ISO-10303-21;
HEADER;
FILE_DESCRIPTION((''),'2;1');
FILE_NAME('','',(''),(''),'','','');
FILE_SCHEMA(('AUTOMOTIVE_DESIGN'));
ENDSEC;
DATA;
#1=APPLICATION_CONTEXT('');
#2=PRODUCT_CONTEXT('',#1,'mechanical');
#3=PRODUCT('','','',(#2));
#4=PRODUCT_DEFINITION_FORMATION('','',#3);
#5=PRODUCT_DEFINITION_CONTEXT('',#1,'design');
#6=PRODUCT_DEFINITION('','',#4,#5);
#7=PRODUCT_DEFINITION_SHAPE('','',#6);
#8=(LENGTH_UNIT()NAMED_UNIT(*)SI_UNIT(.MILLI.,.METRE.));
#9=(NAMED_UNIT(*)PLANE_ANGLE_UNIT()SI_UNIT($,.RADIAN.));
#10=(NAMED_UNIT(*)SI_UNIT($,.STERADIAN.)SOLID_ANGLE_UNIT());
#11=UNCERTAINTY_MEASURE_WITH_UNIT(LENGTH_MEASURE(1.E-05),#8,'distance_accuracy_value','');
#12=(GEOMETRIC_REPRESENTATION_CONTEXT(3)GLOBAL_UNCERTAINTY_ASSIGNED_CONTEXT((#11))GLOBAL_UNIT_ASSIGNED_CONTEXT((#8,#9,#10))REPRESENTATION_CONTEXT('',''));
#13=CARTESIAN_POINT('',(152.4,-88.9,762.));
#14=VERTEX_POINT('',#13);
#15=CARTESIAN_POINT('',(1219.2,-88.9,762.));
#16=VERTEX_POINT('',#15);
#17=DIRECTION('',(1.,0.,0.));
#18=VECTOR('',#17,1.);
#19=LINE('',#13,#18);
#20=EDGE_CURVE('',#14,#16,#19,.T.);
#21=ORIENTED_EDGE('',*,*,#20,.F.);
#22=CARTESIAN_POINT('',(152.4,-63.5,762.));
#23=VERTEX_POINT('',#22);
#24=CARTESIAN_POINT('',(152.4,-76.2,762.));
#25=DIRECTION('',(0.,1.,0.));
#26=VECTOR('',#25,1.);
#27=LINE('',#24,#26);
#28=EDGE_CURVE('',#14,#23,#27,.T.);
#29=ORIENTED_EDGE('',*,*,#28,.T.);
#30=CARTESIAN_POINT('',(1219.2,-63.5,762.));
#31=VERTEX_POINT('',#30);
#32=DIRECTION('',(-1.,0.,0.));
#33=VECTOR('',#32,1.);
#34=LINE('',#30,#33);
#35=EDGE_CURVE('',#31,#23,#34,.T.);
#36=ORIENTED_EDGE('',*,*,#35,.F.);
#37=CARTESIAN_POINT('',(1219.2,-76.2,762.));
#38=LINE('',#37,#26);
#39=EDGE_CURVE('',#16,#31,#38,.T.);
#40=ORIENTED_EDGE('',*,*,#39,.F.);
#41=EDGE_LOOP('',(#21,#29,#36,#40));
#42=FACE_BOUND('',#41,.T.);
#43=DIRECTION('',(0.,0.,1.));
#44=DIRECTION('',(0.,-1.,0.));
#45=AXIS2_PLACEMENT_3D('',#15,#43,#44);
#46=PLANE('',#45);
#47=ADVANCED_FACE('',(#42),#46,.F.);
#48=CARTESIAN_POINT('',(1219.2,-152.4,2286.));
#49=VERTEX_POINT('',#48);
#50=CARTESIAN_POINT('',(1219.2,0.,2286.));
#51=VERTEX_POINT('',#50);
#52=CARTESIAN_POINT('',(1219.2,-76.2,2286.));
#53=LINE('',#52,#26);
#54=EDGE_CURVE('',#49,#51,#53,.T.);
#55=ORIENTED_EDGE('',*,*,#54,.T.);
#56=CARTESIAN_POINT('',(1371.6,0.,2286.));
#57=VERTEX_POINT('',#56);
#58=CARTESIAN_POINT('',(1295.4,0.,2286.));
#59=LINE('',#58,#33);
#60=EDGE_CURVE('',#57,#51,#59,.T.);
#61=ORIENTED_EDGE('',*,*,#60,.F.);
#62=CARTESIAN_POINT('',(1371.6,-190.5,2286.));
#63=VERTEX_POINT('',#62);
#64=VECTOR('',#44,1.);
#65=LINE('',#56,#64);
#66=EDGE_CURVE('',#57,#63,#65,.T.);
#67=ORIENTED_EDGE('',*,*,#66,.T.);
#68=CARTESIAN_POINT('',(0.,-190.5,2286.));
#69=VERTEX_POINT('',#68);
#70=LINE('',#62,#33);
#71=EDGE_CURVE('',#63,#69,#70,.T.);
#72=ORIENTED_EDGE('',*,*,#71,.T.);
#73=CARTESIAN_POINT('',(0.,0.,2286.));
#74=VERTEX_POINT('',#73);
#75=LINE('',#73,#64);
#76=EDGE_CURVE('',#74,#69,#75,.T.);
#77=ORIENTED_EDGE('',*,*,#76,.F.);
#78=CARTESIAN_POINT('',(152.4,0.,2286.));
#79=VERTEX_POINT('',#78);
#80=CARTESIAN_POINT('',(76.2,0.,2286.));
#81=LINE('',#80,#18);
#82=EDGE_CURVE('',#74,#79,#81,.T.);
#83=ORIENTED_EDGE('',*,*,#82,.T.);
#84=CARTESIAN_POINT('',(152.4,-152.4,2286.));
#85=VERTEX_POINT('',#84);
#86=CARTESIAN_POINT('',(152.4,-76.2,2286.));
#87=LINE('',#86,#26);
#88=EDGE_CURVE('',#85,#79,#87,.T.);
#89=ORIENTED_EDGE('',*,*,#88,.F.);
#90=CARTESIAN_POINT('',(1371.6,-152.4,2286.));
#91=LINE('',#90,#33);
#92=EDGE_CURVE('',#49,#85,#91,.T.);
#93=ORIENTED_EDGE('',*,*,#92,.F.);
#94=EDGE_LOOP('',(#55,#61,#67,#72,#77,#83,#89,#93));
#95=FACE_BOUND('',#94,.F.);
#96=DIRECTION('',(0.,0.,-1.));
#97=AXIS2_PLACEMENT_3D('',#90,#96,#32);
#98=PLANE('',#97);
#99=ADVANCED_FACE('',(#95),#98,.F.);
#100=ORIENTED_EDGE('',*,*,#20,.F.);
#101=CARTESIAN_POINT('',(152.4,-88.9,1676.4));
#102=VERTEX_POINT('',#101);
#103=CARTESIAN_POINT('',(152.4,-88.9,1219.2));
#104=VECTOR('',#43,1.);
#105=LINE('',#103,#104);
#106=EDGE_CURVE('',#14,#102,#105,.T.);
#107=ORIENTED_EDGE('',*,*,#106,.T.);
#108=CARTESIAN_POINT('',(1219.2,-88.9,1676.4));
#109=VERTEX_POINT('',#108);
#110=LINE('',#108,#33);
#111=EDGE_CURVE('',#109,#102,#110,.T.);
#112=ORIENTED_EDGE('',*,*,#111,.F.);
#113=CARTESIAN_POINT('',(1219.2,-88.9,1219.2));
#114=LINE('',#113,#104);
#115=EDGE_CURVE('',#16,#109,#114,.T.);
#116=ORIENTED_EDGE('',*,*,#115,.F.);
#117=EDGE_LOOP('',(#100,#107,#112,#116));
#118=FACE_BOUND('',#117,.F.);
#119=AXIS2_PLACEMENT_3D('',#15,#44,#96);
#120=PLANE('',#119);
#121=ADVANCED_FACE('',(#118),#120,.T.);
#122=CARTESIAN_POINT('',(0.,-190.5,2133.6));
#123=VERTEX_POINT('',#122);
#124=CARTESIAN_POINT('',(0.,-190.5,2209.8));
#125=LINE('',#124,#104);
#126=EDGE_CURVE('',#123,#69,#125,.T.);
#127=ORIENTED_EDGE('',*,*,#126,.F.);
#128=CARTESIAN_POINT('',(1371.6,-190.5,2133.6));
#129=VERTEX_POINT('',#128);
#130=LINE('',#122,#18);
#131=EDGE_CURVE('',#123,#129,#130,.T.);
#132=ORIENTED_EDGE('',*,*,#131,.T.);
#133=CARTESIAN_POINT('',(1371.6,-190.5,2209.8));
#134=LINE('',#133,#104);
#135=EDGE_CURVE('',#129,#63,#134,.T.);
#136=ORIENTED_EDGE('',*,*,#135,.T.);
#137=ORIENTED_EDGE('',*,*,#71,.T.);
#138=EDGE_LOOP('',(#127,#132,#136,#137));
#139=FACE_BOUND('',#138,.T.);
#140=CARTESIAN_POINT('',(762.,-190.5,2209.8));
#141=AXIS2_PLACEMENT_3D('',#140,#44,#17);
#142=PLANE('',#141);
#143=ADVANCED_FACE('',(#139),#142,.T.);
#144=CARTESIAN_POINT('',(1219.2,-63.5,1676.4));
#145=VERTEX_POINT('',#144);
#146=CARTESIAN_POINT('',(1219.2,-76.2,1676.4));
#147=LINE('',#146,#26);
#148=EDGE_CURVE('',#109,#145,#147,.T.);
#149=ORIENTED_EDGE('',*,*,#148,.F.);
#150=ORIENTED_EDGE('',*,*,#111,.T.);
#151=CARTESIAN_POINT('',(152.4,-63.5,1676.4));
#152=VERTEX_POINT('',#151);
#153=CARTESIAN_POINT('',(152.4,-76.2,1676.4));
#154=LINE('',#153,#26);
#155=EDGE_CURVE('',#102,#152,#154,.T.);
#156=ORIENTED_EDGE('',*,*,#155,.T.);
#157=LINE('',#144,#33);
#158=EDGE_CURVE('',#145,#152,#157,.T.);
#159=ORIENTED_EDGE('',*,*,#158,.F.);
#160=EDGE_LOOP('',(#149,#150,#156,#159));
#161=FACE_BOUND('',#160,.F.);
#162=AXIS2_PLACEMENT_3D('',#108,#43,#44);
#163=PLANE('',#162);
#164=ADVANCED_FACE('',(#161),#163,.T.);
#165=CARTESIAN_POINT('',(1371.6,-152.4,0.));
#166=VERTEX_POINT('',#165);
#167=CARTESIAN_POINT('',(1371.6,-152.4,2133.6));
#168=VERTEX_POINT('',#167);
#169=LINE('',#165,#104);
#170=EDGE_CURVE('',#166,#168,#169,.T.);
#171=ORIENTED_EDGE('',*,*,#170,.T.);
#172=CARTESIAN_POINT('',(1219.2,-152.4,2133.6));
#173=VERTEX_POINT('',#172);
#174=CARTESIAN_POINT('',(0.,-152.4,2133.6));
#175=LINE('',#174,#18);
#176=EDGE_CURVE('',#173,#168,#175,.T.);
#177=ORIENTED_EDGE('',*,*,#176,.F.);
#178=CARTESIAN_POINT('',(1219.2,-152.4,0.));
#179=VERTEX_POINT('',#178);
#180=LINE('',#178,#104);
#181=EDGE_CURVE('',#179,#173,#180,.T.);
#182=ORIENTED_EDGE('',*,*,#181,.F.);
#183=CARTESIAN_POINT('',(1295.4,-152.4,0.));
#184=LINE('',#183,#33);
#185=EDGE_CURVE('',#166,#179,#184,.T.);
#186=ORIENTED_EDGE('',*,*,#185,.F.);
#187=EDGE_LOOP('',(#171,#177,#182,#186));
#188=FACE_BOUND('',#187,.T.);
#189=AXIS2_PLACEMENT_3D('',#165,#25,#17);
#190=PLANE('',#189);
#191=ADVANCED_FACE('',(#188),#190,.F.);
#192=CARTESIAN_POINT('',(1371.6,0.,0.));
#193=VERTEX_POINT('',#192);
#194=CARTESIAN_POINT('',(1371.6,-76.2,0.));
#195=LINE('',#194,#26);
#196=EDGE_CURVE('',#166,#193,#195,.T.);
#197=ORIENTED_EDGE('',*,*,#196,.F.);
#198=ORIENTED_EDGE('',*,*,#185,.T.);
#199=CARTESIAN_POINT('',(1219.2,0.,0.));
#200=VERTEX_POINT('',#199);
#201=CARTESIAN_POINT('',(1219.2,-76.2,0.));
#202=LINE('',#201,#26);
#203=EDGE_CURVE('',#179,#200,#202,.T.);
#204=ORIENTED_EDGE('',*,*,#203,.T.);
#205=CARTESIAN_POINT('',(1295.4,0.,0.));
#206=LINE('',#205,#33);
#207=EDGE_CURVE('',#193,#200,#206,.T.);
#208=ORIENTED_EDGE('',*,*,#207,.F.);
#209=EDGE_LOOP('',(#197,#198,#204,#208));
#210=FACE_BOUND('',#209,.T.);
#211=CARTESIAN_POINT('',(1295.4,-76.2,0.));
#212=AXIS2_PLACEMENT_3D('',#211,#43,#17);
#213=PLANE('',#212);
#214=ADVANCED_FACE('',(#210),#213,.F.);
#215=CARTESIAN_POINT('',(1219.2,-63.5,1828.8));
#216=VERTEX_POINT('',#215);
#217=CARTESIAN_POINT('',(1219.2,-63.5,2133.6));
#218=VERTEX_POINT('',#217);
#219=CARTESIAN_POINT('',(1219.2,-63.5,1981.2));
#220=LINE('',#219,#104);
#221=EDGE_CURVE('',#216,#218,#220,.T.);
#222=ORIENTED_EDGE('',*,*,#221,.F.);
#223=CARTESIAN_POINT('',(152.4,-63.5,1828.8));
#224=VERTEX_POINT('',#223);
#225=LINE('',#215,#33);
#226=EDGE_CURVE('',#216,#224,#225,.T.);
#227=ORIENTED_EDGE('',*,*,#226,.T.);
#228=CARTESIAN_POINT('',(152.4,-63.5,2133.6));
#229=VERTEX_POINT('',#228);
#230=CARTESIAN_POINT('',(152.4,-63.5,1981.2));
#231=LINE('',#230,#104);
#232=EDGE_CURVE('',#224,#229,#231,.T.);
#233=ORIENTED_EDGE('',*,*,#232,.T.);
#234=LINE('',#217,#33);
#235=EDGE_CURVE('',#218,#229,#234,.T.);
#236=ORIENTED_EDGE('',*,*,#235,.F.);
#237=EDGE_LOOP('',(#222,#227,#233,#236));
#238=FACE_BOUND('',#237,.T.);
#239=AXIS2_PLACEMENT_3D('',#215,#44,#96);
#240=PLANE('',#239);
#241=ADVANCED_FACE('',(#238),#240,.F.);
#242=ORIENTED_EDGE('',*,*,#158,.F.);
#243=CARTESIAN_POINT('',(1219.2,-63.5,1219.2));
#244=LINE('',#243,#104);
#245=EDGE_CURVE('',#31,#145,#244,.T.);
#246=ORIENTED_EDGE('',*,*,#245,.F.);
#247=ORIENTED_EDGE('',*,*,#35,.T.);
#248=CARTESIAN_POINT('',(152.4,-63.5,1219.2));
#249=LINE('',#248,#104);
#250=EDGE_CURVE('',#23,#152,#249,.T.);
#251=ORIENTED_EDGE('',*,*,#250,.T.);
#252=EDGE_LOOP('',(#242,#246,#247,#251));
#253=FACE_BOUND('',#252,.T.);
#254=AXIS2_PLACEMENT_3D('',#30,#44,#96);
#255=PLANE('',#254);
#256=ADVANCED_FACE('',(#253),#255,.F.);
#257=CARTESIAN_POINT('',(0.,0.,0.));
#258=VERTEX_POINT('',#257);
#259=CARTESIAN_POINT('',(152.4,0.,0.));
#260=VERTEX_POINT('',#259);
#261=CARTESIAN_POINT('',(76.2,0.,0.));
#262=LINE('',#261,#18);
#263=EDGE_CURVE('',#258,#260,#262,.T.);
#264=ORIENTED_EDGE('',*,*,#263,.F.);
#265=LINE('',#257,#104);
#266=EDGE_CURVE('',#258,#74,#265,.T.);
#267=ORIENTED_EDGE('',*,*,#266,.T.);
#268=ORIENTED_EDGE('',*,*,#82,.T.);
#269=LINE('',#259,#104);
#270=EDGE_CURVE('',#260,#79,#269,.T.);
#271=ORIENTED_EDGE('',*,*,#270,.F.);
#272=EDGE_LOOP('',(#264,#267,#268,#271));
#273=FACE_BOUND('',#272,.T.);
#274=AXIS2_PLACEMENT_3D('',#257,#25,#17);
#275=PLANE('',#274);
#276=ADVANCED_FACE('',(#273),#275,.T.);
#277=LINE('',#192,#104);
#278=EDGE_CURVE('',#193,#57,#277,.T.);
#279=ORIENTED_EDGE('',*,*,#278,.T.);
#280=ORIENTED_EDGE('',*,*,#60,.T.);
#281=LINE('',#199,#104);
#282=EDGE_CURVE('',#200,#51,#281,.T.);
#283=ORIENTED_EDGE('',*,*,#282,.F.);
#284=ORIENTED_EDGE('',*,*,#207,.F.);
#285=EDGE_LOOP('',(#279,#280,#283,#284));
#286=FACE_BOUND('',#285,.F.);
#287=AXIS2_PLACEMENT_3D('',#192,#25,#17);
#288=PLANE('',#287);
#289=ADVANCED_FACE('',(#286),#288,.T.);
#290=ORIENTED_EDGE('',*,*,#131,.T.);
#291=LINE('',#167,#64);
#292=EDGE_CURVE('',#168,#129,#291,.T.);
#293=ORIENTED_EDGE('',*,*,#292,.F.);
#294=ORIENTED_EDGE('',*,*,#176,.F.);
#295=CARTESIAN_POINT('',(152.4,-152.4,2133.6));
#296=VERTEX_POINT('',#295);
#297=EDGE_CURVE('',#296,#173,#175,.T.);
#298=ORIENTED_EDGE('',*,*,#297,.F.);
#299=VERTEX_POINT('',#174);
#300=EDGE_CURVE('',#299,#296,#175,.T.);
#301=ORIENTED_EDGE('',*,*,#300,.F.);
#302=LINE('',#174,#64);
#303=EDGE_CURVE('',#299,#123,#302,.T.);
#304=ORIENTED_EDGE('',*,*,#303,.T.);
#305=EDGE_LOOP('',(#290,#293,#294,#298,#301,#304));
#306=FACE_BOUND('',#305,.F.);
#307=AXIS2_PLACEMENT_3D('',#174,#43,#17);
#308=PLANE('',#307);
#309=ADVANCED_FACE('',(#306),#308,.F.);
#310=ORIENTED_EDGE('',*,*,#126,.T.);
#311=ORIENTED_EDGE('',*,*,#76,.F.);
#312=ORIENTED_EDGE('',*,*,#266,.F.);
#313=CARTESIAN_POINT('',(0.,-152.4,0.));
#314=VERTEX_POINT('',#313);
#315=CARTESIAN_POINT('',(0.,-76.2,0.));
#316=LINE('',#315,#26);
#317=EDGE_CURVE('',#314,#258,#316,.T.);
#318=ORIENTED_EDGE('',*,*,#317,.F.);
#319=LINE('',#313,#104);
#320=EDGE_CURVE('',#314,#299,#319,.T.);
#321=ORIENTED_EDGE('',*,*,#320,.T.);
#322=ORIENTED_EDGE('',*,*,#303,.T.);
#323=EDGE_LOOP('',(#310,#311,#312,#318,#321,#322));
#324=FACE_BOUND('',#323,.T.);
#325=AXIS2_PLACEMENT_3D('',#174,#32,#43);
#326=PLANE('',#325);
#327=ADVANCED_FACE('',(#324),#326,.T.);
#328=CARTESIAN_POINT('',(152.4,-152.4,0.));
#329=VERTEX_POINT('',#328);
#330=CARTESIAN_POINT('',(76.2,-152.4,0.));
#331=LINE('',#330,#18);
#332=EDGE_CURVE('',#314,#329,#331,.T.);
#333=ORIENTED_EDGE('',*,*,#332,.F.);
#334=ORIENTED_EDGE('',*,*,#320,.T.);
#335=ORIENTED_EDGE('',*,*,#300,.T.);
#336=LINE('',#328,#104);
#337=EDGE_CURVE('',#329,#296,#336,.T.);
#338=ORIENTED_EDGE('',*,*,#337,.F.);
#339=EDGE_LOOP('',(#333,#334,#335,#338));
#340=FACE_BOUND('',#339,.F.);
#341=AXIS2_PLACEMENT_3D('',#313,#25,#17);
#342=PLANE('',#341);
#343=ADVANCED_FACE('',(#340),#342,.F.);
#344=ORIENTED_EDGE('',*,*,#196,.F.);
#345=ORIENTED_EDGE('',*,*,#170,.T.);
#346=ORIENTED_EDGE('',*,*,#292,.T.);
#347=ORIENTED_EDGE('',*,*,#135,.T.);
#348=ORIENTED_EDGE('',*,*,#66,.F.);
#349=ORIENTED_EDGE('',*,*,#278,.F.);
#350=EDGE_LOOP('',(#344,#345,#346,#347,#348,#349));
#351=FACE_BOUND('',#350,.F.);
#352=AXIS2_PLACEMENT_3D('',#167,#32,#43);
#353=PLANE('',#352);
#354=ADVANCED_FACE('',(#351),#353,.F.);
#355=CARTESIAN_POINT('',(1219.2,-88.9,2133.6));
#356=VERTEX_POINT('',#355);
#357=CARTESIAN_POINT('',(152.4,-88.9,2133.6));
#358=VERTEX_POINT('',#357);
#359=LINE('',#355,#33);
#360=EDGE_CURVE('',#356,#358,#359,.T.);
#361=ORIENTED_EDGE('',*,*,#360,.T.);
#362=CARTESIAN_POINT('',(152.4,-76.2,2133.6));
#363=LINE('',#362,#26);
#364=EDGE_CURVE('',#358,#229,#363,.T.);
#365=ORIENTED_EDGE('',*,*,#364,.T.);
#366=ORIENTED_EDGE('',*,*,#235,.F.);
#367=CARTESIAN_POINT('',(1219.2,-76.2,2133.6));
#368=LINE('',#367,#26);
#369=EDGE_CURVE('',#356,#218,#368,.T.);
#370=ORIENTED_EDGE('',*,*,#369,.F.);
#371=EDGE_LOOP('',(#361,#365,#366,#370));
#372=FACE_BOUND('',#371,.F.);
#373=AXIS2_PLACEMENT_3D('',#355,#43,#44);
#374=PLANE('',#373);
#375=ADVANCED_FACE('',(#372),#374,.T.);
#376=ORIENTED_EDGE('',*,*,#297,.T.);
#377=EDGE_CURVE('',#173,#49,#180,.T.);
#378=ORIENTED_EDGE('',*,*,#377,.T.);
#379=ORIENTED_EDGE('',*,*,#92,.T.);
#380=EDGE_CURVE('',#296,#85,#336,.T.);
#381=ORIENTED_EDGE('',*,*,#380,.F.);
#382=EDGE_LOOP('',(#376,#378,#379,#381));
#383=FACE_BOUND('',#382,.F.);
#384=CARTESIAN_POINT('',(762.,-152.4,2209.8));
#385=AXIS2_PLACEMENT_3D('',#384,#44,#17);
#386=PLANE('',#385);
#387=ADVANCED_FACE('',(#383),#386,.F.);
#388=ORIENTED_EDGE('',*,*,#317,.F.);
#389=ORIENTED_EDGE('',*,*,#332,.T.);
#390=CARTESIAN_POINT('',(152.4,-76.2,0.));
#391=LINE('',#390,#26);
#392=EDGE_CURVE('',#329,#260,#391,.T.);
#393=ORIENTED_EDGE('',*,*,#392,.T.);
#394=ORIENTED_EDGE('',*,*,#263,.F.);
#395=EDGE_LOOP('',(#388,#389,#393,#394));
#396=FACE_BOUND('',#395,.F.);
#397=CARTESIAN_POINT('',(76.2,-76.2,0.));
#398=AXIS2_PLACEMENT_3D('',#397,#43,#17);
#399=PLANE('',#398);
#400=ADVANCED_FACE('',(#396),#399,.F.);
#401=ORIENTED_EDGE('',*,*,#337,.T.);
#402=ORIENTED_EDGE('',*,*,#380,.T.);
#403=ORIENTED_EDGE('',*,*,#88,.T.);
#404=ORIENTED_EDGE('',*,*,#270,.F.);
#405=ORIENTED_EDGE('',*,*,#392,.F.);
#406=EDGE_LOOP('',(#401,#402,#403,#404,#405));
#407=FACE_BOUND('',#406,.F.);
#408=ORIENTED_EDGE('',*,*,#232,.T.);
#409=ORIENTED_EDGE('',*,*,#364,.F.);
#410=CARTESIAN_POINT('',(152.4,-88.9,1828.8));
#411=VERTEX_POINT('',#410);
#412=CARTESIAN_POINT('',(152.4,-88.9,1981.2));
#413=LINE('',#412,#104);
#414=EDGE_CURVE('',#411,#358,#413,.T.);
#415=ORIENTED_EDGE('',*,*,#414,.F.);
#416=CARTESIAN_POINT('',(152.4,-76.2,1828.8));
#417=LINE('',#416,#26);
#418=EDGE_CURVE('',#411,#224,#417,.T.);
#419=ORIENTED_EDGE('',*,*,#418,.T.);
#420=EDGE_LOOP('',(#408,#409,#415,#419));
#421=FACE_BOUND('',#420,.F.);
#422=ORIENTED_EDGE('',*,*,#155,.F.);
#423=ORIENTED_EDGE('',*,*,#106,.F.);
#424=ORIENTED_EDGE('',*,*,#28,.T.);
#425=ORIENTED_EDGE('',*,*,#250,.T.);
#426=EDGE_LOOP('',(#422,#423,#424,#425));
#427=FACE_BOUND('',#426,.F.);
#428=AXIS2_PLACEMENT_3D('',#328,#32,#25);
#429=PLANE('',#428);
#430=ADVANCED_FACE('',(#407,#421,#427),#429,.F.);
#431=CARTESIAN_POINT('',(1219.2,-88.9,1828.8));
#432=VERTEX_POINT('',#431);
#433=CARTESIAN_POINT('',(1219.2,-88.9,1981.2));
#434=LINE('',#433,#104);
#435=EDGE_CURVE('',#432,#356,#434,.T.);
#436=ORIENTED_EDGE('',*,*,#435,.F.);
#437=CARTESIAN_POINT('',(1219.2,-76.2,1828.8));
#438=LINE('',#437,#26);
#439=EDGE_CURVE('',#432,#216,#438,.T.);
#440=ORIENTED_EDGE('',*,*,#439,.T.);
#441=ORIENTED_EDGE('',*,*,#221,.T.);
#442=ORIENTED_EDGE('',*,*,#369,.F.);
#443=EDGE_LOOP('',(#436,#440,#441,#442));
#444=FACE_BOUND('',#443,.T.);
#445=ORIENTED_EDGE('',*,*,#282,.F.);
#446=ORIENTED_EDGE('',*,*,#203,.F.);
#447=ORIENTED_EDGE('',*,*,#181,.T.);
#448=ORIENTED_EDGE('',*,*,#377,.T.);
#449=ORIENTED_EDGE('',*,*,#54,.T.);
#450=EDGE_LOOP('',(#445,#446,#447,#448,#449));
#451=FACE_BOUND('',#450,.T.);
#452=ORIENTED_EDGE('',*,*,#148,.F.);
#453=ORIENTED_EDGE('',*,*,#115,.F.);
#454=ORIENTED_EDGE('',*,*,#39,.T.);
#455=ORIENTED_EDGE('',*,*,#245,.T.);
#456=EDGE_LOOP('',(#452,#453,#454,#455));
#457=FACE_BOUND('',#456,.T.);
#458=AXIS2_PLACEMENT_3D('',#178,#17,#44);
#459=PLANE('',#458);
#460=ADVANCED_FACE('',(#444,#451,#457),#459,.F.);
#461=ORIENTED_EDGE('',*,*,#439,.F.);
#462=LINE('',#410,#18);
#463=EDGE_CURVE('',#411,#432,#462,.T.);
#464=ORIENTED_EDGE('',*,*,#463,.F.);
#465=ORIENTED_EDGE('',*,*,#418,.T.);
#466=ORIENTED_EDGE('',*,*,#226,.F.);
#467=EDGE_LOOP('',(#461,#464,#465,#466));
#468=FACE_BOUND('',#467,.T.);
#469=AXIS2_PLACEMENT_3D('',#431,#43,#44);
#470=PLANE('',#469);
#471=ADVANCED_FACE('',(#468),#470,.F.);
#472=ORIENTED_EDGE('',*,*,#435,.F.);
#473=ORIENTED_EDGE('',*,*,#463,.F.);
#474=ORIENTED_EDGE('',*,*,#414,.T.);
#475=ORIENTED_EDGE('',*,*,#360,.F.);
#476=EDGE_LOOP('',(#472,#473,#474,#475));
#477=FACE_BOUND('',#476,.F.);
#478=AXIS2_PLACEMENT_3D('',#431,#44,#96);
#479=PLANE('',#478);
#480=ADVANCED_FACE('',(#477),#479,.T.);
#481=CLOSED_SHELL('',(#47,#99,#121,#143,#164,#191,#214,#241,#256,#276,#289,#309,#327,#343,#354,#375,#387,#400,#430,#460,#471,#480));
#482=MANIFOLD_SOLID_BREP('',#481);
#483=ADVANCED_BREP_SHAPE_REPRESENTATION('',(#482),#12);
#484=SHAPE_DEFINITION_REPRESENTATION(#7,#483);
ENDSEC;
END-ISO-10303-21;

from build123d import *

# Parameters (mm, degrees)
F0_W     = 152.4
F0_H     = 152.4
F1_DEPTH = 2286
F2_W     = 25.4
F2_H     = 914.4
F2_H_2   = 304.8
F3_DEPTH = 533.4
F5_W     = 1219.2
F5_H     = 152.4
F5_W_2   = 152.4
F6_DEPTH = 38.1


with BuildPart() as f1:
    # F0 (on Top) → F1 (new body)
    with BuildSketch(Plane.XY):
        with Locations((76.2, -76.2)):
            Rectangle(F0_W, F0_H)
    extrude(amount=F1_DEPTH)

    # F2 (on face) → F3 (join)
    with BuildSketch(Plane.YZ.offset(152.4)):
        with Locations((-76.2, 1219.2)):
            Rectangle(F2_W, F2_H)
        with Locations((-76.2, 1981.2)):
            Rectangle(F2_W, F2_H_2)
    extrude(amount=F3_DEPTH)

    # F4: F1 across face


with BuildPart() as f1_1:
    add(f1.part)
    add(f1.part.mirror(Plane(origin=(685.8, -76.2, 1219.2), x_dir=(0, 1, 0), z_dir=(1, 0, 0))))

    # F5 (on face) → F6 (join)
    with BuildSketch(Plane.XZ.offset(152.4)):
        with Locations((762, 2209.8)):
            Rectangle(F5_W, F5_H)
        with Locations((76.2, 2209.8)):
            Rectangle(F5_W_2, F5_H)
    extrude(amount=F6_DEPTH)


solid = f1_1.part
